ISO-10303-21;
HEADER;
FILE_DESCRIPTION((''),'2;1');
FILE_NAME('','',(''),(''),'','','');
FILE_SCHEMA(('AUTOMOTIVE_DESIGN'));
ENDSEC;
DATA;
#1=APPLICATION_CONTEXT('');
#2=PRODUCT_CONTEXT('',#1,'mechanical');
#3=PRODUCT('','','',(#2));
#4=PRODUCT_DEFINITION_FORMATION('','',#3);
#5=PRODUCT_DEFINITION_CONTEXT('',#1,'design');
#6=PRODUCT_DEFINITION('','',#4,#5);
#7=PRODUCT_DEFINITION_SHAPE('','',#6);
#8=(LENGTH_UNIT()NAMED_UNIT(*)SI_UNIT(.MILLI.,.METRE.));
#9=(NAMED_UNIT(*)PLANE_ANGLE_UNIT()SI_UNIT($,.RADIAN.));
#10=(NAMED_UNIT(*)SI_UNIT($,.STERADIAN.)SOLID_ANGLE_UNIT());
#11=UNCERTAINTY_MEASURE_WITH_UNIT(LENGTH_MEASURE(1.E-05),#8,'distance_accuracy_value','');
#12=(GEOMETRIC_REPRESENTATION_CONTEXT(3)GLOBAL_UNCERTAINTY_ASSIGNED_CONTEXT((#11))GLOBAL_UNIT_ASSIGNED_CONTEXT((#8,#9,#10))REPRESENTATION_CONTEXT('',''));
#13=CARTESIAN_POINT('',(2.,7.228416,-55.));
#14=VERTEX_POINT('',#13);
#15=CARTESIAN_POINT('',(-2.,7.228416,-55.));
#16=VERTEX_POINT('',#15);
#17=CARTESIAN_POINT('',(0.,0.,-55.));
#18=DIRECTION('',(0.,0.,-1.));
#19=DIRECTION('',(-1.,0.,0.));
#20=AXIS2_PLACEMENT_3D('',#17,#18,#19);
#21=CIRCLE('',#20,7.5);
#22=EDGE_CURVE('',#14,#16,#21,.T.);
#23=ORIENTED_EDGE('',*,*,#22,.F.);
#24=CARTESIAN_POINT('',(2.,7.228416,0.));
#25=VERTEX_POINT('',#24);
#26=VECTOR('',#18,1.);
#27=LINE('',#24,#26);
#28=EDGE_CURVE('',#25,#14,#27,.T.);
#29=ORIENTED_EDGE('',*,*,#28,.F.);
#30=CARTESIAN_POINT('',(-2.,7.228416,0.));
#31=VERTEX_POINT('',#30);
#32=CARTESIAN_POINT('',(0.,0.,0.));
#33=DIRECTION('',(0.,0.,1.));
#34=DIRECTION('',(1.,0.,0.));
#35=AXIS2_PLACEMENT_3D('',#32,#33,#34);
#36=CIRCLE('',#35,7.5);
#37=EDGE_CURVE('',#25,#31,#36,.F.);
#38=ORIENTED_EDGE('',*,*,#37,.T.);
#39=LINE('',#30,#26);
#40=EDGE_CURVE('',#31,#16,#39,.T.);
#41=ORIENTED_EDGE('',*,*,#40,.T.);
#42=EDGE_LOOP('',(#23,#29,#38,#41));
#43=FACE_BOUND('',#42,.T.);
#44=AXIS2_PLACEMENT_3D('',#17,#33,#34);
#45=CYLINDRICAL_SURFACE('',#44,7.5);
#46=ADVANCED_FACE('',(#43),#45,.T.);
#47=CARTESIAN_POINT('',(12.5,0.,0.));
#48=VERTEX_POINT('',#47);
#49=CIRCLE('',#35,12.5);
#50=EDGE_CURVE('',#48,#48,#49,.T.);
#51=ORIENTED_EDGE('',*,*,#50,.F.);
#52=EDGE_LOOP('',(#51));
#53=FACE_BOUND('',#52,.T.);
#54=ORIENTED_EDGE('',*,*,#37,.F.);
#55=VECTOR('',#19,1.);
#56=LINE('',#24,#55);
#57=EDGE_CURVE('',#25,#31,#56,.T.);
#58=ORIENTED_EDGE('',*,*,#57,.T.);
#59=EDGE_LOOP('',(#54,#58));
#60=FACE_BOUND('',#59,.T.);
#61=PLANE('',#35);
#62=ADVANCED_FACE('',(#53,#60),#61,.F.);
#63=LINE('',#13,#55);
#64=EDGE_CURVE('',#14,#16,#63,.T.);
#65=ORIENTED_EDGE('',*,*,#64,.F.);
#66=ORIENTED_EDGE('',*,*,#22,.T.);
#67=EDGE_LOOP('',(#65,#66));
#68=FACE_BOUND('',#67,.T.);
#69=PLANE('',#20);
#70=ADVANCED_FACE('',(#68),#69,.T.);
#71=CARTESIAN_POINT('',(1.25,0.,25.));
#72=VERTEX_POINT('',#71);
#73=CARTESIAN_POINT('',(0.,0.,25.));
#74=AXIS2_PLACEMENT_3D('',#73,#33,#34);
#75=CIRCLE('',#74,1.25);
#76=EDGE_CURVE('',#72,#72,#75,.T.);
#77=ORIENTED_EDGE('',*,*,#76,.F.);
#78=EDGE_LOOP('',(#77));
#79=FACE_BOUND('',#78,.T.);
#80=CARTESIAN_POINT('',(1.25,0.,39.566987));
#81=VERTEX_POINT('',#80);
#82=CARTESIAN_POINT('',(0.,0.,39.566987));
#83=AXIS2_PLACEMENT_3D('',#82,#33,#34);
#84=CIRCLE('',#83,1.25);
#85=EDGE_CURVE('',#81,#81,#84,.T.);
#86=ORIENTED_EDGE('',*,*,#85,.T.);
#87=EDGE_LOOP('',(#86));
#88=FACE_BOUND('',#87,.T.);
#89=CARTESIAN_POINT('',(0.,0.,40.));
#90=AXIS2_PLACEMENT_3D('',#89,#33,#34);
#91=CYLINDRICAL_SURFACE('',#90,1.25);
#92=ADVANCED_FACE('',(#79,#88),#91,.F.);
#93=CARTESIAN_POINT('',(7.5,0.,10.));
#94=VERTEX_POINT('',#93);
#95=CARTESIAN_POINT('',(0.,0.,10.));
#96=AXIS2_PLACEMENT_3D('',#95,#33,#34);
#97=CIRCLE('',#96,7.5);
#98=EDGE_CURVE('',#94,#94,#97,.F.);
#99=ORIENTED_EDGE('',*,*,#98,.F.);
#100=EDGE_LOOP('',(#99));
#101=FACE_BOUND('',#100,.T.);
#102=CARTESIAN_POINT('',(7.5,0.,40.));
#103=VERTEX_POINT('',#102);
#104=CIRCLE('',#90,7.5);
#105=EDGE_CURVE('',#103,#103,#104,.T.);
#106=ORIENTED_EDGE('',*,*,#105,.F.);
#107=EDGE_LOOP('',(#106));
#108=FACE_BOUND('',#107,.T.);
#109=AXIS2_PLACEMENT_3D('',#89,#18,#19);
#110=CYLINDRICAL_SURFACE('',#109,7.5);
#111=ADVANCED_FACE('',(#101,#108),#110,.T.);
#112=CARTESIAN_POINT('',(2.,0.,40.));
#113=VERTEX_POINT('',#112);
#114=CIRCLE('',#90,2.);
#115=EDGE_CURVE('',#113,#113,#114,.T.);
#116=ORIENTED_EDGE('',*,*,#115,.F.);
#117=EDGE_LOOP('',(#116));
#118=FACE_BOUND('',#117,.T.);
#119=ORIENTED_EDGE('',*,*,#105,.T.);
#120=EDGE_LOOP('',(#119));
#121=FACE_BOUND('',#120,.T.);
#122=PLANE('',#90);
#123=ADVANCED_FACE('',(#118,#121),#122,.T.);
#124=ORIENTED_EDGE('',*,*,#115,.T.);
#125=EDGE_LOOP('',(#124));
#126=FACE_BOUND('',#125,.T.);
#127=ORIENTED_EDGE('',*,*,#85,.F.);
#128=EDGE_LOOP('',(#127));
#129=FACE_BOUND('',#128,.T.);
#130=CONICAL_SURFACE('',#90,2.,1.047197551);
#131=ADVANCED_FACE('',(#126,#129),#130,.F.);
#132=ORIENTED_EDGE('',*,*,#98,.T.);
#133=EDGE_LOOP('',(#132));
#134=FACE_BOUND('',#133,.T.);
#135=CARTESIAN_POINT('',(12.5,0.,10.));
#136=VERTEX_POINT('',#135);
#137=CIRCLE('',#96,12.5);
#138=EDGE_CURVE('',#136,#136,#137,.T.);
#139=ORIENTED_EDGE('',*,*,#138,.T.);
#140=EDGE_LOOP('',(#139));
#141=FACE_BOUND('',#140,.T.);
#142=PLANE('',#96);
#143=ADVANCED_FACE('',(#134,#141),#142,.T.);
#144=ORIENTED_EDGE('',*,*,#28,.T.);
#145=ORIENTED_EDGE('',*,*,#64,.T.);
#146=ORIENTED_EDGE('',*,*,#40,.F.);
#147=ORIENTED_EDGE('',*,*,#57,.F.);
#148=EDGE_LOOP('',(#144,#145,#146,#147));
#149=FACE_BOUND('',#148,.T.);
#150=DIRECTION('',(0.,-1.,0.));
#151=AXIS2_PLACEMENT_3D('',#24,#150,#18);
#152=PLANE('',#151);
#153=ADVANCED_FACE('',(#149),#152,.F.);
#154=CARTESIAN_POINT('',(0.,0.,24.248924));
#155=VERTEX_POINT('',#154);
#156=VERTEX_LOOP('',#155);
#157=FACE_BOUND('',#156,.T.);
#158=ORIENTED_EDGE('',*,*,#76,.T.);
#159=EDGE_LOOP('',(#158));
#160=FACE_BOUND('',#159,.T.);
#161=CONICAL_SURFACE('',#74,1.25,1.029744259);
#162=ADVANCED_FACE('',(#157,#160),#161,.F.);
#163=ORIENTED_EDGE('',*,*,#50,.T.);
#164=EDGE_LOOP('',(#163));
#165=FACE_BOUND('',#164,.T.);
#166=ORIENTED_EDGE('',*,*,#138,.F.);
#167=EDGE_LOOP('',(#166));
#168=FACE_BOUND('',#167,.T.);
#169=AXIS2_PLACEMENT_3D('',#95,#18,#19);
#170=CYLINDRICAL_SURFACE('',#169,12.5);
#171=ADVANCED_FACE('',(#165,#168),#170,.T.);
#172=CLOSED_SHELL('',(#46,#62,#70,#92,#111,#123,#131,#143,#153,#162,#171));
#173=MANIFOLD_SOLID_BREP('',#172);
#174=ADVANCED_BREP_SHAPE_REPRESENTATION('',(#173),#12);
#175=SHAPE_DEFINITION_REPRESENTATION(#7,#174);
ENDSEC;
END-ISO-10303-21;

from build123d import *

# Parameters (mm, degrees)
SKETCH1_R                       = 12.5
F_25MM_DIA_DEPTH                = 10
F_15MM_START                    = -10
SKETCH2_R                       = 7.5
F_15MM_DIA_BEARING_END_DEPTH    = 40
F_15MM_START_2                  = 55
SKETCH3_R                       = 7.5
F_15MM_DIA_GEAR_END_DEPTH       = 55
M3X0_5_TAPPED_HOLE1_D           = 2.5
M3X0_5_TAPPED_HOLE1_DEPTH       = 15
M3X0_5_TAPPED_HOLE1_CSINK_D     = 4
M3X0_5_TAPPED_HOLE1_CSINK_ANGLE = 120
M3X0_5_TAPPED_HOLE1_TIP         = 0.751075774
SKETCH8_W                       = 4
SKETCH8_H                       = 3.025433208
CUT_EXTRUDE1_DEPTH              = 55


with BuildPart() as part:
    # Sketch1 → 25mm dia (new body)
    with BuildSketch(Plane.XY):
        Circle(SKETCH1_R)
    extrude(amount=F_25MM_DIA_DEPTH)

    # Sketch2 → 15mm dia bearing end (add)
    with BuildSketch(Plane.XY.offset(10).offset(F_15MM_START)):
        Circle(SKETCH2_R)
    extrude(amount=F_15MM_DIA_BEARING_END_DEPTH)

    # Sketch3 → 15mm dia gear end (add)
    with BuildSketch(Plane(origin=(0, 0, 0), x_dir=(-1, 0, 0), z_dir=(0, 0, -1)).offset(F_15MM_START_2)):
        with Locations(Location((0, 0, 0), (0, 0, 180))):
            Circle(SKETCH3_R)
    extrude(amount=-F_15MM_DIA_GEAR_END_DEPTH)

    # M3x0.5 Tapped Hole1
    with Locations(Plane.XY.offset(40)):
        with Locations((0, 0)):
            CounterSinkHole(M3X0_5_TAPPED_HOLE1_D / 2, M3X0_5_TAPPED_HOLE1_CSINK_D / 2, depth=M3X0_5_TAPPED_HOLE1_DEPTH, counter_sink_angle=M3X0_5_TAPPED_HOLE1_CSINK_ANGLE)
            with Locations((0, 0, -(M3X0_5_TAPPED_HOLE1_DEPTH + M3X0_5_TAPPED_HOLE1_TIP / 2))):  # 118° drill point
                Cone(0, M3X0_5_TAPPED_HOLE1_D / 2, M3X0_5_TAPPED_HOLE1_TIP, mode=Mode.SUBTRACT)

    # Sketch8 → Cut-Extrude1 (cut)
    with BuildSketch(Plane(origin=(0, 0, -55), x_dir=(-1, 0, 0), z_dir=(0, 0, -1))):
        with Locations((0, 8.741132751)):
            Rectangle(SKETCH8_W, SKETCH8_H)
    extrude(amount=-CUT_EXTRUDE1_DEPTH, mode=Mode.SUBTRACT)


solid = part.part
